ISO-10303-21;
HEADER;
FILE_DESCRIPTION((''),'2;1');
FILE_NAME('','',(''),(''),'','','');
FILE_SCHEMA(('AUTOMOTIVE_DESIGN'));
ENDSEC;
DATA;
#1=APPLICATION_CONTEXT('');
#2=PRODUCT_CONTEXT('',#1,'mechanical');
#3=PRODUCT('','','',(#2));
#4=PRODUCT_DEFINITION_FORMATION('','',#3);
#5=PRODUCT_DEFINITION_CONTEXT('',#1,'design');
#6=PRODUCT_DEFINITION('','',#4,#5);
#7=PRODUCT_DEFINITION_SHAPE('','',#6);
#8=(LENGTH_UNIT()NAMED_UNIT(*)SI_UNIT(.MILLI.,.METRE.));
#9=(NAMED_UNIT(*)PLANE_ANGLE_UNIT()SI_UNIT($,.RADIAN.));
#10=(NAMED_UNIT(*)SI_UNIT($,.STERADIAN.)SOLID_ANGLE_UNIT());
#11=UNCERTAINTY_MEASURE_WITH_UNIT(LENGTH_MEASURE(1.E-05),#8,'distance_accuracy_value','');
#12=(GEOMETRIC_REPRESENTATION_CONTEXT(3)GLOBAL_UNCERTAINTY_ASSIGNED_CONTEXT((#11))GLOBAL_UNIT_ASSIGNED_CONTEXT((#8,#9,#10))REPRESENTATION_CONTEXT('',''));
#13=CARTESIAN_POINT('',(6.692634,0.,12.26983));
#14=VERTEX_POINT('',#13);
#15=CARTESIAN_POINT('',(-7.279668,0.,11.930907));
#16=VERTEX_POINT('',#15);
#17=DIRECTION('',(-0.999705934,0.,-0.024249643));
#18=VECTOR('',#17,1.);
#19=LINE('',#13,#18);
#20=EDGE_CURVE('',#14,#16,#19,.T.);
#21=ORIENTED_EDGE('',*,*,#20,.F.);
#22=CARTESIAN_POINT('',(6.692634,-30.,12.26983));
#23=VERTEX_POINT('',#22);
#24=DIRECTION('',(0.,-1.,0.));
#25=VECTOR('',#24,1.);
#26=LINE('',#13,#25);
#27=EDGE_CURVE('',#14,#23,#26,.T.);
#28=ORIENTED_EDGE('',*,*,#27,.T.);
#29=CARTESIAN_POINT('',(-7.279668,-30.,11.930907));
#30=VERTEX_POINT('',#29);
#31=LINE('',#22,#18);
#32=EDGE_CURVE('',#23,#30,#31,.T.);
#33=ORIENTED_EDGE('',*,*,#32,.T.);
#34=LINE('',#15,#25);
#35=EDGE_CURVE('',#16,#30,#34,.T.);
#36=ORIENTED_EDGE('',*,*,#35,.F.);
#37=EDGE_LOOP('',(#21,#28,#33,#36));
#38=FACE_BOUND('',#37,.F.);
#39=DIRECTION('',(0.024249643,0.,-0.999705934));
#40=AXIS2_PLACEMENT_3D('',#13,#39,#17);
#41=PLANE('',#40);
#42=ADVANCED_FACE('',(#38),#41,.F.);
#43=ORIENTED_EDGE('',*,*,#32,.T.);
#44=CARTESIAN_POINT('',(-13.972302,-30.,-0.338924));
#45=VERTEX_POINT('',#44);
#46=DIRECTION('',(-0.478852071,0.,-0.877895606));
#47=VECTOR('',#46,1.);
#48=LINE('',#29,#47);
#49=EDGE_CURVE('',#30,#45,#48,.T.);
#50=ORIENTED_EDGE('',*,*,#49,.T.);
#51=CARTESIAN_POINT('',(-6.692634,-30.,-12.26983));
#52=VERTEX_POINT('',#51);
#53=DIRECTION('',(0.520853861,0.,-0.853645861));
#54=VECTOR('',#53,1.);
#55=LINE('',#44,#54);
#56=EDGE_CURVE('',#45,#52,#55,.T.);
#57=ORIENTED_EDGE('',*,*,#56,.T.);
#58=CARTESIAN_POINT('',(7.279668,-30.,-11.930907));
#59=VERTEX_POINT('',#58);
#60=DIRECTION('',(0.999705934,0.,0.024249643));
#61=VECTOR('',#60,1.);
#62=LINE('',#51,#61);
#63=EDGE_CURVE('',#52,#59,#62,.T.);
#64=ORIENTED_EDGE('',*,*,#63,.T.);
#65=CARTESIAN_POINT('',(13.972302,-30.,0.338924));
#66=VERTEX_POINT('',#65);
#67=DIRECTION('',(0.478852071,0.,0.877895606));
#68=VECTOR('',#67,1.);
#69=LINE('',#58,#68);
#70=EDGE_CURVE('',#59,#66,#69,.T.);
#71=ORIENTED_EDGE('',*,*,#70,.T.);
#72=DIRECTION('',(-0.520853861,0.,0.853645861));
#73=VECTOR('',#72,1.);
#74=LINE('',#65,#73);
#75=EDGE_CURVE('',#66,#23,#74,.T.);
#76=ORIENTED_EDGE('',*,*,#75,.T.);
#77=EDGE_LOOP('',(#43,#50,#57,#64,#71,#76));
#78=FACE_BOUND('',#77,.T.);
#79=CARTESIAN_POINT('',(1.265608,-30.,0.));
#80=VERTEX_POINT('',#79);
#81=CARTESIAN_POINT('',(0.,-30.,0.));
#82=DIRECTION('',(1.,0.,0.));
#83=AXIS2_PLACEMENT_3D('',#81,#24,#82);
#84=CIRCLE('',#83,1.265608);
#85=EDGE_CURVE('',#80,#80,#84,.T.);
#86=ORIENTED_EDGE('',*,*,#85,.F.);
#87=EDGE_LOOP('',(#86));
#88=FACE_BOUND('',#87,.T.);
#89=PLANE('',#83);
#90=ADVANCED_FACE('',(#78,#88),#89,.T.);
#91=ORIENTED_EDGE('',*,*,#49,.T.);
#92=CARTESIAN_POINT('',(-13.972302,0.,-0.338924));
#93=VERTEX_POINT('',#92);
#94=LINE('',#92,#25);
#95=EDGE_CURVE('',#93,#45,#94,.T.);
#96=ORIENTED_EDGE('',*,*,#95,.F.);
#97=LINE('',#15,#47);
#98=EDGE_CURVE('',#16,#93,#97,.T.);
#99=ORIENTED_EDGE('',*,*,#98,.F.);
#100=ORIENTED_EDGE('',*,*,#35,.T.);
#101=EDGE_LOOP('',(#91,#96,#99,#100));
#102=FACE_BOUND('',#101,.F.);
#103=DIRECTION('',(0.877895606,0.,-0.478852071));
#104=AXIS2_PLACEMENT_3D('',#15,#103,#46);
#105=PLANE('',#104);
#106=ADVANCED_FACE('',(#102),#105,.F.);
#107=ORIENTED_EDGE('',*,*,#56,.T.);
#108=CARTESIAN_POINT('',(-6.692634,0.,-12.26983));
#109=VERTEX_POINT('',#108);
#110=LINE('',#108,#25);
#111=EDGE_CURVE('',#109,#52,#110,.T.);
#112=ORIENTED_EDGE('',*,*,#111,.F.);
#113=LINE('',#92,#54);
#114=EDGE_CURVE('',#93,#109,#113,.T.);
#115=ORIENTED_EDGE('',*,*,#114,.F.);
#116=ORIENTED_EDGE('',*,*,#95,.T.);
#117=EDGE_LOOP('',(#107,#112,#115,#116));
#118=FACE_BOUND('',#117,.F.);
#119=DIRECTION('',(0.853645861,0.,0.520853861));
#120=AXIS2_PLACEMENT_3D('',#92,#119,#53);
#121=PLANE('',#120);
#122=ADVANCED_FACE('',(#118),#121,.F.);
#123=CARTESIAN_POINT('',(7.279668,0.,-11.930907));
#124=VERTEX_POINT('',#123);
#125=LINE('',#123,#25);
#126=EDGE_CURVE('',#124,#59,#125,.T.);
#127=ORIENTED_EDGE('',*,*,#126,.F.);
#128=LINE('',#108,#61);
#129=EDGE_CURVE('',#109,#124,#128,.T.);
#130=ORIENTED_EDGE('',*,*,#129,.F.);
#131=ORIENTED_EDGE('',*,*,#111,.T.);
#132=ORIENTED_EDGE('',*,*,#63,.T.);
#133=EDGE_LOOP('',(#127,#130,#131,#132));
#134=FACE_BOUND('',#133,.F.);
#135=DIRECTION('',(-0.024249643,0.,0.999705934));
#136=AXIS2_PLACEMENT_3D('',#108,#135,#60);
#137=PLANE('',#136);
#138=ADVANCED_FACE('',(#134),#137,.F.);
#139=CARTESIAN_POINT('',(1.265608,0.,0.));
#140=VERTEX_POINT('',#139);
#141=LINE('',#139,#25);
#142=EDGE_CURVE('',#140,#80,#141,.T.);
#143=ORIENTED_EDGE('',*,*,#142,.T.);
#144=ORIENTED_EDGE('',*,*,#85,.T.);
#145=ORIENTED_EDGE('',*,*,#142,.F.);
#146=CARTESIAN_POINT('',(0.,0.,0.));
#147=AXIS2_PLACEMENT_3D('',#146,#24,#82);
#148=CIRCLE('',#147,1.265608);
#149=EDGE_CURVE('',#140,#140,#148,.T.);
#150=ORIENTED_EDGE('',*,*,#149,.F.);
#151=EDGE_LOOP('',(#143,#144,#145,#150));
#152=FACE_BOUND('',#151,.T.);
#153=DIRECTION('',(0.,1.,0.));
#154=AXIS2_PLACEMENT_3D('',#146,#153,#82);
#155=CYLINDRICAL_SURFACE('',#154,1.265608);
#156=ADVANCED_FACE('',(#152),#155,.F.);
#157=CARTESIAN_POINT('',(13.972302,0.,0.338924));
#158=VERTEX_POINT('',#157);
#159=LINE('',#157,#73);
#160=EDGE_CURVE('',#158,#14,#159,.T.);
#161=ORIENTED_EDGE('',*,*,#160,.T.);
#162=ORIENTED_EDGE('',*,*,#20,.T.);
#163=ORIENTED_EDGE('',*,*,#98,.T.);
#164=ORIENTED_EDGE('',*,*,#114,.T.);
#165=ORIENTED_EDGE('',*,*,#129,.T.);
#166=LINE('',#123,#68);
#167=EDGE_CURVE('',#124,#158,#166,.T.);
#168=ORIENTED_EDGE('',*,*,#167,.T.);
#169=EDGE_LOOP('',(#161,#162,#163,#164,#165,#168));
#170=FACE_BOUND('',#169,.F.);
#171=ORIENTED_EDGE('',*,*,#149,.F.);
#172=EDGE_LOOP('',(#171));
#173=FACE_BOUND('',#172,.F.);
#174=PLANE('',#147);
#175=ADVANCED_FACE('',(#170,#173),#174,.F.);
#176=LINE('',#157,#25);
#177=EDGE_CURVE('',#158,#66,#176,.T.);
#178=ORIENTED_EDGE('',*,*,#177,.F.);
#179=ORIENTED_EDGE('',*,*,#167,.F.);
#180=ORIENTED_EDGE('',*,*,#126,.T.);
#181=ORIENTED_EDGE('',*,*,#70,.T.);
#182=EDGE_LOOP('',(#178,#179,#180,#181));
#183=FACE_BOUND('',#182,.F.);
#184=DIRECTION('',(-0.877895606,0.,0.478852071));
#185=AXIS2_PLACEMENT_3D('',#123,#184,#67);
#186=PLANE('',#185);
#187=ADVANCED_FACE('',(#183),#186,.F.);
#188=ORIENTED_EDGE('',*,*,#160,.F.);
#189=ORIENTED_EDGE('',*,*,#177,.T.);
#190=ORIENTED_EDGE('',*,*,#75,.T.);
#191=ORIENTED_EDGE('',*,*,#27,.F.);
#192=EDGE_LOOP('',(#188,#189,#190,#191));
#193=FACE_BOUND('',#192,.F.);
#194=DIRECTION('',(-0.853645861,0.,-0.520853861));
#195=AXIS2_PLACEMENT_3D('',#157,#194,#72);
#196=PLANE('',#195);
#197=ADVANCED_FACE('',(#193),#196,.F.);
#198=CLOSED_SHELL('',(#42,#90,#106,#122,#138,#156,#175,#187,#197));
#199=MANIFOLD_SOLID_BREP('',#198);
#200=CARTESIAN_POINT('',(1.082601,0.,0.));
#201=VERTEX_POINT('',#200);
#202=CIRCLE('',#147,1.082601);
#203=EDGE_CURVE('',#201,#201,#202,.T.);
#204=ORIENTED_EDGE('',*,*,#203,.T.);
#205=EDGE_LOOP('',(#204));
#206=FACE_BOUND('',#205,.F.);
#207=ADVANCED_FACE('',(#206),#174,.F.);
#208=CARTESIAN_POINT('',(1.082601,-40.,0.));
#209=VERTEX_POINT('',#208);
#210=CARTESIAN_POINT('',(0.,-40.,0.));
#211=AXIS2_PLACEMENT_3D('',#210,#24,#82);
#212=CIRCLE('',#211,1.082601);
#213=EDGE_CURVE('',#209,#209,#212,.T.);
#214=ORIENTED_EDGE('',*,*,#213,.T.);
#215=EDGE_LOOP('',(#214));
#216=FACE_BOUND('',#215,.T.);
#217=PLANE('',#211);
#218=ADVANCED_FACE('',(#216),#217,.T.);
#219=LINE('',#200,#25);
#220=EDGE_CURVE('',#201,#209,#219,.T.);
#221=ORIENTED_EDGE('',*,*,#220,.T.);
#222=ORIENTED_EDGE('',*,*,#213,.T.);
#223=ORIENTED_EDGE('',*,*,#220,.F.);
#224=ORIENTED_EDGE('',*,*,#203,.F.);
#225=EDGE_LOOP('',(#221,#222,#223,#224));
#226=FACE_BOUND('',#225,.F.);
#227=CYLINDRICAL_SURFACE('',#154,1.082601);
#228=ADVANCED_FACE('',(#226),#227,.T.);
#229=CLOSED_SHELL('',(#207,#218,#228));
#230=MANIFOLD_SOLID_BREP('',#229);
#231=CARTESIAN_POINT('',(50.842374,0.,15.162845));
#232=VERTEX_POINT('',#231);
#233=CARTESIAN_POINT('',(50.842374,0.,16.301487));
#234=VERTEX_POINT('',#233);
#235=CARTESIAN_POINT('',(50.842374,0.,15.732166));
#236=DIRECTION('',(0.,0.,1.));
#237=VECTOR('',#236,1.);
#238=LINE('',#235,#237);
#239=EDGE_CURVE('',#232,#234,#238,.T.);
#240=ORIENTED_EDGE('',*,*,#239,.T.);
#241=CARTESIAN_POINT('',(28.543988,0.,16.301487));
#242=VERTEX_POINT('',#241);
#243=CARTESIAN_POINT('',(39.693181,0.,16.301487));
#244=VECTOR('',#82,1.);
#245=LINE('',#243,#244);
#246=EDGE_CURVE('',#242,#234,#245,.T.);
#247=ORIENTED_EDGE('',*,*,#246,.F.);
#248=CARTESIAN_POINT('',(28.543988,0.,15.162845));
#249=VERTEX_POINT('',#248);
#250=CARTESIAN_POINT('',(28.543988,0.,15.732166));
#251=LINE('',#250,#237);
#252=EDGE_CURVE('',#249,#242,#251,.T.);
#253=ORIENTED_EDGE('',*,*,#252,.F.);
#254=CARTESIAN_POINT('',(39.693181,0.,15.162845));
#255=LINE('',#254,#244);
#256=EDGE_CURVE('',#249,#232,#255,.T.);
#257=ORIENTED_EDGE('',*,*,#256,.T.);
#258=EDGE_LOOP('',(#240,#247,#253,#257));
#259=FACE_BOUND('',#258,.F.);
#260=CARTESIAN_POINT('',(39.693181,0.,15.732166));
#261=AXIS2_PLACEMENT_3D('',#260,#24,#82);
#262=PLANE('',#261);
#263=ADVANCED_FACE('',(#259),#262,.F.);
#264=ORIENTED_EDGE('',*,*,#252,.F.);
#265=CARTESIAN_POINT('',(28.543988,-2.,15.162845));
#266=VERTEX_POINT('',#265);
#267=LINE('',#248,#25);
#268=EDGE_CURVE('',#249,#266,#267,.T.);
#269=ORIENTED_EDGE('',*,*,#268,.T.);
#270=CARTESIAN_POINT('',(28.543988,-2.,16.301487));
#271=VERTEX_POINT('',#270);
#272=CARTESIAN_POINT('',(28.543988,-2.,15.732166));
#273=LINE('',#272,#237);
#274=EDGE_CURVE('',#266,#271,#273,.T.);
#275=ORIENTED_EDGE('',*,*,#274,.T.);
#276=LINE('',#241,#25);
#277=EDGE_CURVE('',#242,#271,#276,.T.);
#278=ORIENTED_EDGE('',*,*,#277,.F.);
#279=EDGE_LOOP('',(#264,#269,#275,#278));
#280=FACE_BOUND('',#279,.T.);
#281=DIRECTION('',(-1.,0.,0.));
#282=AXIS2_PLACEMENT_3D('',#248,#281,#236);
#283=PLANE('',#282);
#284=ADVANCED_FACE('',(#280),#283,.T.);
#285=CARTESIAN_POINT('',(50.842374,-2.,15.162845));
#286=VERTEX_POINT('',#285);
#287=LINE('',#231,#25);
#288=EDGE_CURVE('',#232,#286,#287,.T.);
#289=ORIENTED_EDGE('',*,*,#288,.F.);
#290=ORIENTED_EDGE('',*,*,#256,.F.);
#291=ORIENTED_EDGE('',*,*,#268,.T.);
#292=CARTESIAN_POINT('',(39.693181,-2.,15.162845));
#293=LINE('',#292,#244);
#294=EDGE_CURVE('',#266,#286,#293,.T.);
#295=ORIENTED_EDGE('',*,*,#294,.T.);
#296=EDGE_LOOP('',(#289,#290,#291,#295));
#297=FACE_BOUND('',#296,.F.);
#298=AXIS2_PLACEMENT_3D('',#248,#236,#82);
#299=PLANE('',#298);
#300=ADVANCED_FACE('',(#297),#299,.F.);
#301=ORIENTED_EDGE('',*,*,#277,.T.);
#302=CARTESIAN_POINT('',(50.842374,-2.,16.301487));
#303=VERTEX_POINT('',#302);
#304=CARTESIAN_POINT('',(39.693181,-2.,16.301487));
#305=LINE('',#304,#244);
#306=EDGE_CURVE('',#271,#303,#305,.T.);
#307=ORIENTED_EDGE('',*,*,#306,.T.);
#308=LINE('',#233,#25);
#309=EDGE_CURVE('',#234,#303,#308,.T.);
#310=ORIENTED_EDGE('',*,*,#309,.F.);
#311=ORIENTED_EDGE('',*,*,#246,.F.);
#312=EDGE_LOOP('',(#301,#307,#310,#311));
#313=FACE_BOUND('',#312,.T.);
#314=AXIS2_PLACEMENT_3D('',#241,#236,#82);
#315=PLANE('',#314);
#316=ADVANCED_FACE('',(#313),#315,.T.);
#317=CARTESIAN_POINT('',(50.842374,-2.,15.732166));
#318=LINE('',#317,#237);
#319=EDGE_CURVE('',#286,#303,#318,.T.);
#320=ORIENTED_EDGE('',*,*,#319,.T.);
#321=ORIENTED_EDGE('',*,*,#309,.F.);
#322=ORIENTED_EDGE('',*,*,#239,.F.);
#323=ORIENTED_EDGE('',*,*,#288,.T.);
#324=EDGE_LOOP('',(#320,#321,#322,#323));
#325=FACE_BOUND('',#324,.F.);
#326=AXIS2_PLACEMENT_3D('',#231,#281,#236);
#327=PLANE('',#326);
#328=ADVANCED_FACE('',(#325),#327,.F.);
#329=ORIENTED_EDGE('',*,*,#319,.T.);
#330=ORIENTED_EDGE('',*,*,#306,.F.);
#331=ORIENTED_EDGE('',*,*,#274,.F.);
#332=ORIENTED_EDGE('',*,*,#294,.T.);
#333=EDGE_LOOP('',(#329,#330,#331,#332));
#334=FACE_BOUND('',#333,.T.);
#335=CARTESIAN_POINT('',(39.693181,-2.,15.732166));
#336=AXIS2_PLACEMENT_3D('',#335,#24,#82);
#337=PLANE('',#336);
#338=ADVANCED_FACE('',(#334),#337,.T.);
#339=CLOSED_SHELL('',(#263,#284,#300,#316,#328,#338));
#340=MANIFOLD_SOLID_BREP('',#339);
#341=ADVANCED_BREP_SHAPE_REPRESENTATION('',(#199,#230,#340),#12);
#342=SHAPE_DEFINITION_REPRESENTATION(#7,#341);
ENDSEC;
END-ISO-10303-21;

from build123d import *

# Parameters (mm, degrees)
F0_R     = 1.265608
F1_DEPTH = 30
F2_R     = 1.082601
F3_DEPTH = 40
F4_W     = 22.298387
F4_H     = 1.138642
F5_DEPTH = 2


with BuildPart() as f1:
    # F0 (on Front) → F1 (new body)
    with BuildSketch(Plane.XZ):
        Polygon((7.279668, -11.930907), (13.972302, 0.338924), (6.692634, 12.26983), (-7.279668, 11.930907), (-13.972302, -0.338924), (-6.692634, -12.26983), align=None)
        Circle(F0_R, mode=Mode.SUBTRACT)
    extrude(amount=F1_DEPTH)


with BuildPart() as f3:
    # F2 (on Front) → F3 (new body)
    with BuildSketch(Plane.XZ):
        Circle(F2_R)
    extrude(amount=F3_DEPTH)


with BuildPart() as f5:
    # F4 (on Front) → F5 (new body)
    with BuildSketch(Plane.XZ):
        with Locations((39.693181, 15.732166)):
            Rectangle(F4_W, F4_H)
    extrude(amount=F5_DEPTH)


solid = Compound([f1.part, f3.part, f5.part])
